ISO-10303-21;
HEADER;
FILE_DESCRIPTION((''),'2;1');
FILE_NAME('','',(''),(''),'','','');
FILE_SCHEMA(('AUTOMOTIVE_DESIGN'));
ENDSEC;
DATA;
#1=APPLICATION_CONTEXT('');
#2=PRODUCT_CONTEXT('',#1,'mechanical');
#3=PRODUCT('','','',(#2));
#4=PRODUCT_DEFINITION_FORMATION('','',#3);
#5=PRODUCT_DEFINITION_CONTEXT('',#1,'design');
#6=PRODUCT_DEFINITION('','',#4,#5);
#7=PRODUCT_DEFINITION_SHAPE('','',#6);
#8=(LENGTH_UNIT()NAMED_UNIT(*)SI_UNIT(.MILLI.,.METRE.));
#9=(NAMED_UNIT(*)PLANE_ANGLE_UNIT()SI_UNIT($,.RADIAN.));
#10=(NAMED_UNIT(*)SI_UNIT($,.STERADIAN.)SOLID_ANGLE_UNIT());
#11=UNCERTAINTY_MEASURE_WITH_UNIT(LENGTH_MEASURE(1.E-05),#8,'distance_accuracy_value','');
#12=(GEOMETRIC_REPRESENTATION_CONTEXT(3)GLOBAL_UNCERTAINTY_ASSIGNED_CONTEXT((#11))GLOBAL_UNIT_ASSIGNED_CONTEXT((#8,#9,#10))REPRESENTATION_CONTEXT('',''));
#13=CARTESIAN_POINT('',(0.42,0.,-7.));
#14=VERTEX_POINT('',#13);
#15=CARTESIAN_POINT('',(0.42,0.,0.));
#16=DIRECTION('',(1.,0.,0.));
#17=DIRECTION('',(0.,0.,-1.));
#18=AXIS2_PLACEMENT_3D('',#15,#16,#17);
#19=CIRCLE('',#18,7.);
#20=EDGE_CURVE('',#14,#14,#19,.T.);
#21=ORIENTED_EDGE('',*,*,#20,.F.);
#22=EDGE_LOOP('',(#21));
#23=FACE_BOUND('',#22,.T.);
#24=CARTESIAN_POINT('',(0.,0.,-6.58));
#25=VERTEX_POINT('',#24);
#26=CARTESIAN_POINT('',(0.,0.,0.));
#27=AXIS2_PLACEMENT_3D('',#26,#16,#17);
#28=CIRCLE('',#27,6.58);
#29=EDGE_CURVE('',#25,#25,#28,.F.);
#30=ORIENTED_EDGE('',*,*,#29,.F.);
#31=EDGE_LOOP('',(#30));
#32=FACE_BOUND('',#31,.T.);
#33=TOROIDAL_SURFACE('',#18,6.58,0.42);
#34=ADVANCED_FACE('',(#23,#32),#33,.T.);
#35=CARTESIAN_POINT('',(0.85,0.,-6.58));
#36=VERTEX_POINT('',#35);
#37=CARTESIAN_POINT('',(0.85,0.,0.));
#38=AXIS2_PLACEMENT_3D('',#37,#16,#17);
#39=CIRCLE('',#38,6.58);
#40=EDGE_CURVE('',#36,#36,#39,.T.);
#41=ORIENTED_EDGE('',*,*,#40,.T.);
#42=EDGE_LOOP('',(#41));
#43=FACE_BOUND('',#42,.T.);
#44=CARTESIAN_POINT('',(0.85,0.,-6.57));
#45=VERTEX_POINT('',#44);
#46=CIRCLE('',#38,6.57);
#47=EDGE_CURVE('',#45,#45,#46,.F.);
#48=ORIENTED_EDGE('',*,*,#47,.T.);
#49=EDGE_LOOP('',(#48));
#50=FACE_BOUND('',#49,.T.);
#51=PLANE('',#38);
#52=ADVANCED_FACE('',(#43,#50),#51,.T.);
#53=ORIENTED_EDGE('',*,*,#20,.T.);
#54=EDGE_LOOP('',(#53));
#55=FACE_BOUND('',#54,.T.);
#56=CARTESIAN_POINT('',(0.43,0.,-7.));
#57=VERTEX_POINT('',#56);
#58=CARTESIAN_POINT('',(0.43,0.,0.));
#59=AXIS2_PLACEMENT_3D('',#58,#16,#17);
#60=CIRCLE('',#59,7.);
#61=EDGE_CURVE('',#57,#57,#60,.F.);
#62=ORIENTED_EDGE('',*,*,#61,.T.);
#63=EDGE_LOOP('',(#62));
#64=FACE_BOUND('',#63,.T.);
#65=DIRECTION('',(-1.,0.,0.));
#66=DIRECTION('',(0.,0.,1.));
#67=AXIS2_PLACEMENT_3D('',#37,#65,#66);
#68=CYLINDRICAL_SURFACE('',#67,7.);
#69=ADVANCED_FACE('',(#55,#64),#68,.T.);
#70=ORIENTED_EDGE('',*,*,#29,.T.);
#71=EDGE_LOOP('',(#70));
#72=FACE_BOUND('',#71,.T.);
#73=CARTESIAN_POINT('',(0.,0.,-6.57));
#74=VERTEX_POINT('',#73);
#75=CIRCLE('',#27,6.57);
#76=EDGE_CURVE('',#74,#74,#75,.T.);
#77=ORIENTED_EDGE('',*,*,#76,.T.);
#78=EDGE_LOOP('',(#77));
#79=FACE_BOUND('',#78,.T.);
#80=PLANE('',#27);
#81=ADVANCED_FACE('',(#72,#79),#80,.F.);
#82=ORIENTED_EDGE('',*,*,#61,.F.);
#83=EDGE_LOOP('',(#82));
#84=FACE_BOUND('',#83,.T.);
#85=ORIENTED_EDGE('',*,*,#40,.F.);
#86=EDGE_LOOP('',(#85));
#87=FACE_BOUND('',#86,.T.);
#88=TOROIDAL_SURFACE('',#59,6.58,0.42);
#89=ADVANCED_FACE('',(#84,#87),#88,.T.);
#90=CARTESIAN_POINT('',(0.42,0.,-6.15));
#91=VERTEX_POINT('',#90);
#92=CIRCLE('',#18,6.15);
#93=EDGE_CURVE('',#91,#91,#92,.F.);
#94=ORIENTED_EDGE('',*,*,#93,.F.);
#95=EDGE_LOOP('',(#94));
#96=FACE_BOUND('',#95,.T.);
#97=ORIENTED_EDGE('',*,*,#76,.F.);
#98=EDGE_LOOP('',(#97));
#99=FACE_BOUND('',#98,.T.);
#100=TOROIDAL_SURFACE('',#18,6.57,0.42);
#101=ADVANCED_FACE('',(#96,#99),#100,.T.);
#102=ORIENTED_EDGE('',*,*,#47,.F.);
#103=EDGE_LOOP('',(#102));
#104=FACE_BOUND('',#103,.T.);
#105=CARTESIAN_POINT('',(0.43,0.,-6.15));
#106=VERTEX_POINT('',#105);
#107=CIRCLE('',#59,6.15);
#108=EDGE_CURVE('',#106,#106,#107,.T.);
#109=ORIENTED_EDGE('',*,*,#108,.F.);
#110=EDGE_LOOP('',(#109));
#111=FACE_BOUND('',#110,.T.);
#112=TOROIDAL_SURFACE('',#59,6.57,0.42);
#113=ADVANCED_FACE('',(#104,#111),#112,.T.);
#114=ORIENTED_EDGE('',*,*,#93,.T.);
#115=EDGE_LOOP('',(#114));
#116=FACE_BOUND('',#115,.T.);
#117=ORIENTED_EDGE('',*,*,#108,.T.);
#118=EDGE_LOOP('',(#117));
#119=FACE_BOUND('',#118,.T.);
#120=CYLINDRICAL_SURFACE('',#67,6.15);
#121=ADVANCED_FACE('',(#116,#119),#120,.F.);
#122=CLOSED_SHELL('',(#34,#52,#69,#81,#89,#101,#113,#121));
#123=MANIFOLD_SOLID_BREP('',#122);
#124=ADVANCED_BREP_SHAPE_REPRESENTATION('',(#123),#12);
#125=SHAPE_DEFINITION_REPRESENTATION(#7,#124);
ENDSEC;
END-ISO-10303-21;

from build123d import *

# Parameters (mm, degrees)
ESBO_O2_R                = 7
ESBO_O2_R_2              = 6.15
RESSALTO_EXTRUS_O1_DEPTH = 0.85
FILETE5_R                = 0.42


with BuildPart() as part:
    # Esboço2 → Ressalto-extrusão1 (new body)
    with BuildSketch(Plane(origin=(0, 0, 0), x_dir=(0, 0, -1), z_dir=(1, 0, 0))):
        Circle(ESBO_O2_R)
        Circle(ESBO_O2_R_2, mode=Mode.SUBTRACT)
    extrude(amount=RESSALTO_EXTRUS_O1_DEPTH)

    # Filete5
    filete5_edges = [part.edges().sort_by_distance(p)[0] for p in [
        (0, 0, 7),
        (0.85, 0, 7),
        (0, 0, 6.15),
        (0.85, 0, 6.15),
    ]]
    fillet(filete5_edges, radius=FILETE5_R)


solid = part.part
